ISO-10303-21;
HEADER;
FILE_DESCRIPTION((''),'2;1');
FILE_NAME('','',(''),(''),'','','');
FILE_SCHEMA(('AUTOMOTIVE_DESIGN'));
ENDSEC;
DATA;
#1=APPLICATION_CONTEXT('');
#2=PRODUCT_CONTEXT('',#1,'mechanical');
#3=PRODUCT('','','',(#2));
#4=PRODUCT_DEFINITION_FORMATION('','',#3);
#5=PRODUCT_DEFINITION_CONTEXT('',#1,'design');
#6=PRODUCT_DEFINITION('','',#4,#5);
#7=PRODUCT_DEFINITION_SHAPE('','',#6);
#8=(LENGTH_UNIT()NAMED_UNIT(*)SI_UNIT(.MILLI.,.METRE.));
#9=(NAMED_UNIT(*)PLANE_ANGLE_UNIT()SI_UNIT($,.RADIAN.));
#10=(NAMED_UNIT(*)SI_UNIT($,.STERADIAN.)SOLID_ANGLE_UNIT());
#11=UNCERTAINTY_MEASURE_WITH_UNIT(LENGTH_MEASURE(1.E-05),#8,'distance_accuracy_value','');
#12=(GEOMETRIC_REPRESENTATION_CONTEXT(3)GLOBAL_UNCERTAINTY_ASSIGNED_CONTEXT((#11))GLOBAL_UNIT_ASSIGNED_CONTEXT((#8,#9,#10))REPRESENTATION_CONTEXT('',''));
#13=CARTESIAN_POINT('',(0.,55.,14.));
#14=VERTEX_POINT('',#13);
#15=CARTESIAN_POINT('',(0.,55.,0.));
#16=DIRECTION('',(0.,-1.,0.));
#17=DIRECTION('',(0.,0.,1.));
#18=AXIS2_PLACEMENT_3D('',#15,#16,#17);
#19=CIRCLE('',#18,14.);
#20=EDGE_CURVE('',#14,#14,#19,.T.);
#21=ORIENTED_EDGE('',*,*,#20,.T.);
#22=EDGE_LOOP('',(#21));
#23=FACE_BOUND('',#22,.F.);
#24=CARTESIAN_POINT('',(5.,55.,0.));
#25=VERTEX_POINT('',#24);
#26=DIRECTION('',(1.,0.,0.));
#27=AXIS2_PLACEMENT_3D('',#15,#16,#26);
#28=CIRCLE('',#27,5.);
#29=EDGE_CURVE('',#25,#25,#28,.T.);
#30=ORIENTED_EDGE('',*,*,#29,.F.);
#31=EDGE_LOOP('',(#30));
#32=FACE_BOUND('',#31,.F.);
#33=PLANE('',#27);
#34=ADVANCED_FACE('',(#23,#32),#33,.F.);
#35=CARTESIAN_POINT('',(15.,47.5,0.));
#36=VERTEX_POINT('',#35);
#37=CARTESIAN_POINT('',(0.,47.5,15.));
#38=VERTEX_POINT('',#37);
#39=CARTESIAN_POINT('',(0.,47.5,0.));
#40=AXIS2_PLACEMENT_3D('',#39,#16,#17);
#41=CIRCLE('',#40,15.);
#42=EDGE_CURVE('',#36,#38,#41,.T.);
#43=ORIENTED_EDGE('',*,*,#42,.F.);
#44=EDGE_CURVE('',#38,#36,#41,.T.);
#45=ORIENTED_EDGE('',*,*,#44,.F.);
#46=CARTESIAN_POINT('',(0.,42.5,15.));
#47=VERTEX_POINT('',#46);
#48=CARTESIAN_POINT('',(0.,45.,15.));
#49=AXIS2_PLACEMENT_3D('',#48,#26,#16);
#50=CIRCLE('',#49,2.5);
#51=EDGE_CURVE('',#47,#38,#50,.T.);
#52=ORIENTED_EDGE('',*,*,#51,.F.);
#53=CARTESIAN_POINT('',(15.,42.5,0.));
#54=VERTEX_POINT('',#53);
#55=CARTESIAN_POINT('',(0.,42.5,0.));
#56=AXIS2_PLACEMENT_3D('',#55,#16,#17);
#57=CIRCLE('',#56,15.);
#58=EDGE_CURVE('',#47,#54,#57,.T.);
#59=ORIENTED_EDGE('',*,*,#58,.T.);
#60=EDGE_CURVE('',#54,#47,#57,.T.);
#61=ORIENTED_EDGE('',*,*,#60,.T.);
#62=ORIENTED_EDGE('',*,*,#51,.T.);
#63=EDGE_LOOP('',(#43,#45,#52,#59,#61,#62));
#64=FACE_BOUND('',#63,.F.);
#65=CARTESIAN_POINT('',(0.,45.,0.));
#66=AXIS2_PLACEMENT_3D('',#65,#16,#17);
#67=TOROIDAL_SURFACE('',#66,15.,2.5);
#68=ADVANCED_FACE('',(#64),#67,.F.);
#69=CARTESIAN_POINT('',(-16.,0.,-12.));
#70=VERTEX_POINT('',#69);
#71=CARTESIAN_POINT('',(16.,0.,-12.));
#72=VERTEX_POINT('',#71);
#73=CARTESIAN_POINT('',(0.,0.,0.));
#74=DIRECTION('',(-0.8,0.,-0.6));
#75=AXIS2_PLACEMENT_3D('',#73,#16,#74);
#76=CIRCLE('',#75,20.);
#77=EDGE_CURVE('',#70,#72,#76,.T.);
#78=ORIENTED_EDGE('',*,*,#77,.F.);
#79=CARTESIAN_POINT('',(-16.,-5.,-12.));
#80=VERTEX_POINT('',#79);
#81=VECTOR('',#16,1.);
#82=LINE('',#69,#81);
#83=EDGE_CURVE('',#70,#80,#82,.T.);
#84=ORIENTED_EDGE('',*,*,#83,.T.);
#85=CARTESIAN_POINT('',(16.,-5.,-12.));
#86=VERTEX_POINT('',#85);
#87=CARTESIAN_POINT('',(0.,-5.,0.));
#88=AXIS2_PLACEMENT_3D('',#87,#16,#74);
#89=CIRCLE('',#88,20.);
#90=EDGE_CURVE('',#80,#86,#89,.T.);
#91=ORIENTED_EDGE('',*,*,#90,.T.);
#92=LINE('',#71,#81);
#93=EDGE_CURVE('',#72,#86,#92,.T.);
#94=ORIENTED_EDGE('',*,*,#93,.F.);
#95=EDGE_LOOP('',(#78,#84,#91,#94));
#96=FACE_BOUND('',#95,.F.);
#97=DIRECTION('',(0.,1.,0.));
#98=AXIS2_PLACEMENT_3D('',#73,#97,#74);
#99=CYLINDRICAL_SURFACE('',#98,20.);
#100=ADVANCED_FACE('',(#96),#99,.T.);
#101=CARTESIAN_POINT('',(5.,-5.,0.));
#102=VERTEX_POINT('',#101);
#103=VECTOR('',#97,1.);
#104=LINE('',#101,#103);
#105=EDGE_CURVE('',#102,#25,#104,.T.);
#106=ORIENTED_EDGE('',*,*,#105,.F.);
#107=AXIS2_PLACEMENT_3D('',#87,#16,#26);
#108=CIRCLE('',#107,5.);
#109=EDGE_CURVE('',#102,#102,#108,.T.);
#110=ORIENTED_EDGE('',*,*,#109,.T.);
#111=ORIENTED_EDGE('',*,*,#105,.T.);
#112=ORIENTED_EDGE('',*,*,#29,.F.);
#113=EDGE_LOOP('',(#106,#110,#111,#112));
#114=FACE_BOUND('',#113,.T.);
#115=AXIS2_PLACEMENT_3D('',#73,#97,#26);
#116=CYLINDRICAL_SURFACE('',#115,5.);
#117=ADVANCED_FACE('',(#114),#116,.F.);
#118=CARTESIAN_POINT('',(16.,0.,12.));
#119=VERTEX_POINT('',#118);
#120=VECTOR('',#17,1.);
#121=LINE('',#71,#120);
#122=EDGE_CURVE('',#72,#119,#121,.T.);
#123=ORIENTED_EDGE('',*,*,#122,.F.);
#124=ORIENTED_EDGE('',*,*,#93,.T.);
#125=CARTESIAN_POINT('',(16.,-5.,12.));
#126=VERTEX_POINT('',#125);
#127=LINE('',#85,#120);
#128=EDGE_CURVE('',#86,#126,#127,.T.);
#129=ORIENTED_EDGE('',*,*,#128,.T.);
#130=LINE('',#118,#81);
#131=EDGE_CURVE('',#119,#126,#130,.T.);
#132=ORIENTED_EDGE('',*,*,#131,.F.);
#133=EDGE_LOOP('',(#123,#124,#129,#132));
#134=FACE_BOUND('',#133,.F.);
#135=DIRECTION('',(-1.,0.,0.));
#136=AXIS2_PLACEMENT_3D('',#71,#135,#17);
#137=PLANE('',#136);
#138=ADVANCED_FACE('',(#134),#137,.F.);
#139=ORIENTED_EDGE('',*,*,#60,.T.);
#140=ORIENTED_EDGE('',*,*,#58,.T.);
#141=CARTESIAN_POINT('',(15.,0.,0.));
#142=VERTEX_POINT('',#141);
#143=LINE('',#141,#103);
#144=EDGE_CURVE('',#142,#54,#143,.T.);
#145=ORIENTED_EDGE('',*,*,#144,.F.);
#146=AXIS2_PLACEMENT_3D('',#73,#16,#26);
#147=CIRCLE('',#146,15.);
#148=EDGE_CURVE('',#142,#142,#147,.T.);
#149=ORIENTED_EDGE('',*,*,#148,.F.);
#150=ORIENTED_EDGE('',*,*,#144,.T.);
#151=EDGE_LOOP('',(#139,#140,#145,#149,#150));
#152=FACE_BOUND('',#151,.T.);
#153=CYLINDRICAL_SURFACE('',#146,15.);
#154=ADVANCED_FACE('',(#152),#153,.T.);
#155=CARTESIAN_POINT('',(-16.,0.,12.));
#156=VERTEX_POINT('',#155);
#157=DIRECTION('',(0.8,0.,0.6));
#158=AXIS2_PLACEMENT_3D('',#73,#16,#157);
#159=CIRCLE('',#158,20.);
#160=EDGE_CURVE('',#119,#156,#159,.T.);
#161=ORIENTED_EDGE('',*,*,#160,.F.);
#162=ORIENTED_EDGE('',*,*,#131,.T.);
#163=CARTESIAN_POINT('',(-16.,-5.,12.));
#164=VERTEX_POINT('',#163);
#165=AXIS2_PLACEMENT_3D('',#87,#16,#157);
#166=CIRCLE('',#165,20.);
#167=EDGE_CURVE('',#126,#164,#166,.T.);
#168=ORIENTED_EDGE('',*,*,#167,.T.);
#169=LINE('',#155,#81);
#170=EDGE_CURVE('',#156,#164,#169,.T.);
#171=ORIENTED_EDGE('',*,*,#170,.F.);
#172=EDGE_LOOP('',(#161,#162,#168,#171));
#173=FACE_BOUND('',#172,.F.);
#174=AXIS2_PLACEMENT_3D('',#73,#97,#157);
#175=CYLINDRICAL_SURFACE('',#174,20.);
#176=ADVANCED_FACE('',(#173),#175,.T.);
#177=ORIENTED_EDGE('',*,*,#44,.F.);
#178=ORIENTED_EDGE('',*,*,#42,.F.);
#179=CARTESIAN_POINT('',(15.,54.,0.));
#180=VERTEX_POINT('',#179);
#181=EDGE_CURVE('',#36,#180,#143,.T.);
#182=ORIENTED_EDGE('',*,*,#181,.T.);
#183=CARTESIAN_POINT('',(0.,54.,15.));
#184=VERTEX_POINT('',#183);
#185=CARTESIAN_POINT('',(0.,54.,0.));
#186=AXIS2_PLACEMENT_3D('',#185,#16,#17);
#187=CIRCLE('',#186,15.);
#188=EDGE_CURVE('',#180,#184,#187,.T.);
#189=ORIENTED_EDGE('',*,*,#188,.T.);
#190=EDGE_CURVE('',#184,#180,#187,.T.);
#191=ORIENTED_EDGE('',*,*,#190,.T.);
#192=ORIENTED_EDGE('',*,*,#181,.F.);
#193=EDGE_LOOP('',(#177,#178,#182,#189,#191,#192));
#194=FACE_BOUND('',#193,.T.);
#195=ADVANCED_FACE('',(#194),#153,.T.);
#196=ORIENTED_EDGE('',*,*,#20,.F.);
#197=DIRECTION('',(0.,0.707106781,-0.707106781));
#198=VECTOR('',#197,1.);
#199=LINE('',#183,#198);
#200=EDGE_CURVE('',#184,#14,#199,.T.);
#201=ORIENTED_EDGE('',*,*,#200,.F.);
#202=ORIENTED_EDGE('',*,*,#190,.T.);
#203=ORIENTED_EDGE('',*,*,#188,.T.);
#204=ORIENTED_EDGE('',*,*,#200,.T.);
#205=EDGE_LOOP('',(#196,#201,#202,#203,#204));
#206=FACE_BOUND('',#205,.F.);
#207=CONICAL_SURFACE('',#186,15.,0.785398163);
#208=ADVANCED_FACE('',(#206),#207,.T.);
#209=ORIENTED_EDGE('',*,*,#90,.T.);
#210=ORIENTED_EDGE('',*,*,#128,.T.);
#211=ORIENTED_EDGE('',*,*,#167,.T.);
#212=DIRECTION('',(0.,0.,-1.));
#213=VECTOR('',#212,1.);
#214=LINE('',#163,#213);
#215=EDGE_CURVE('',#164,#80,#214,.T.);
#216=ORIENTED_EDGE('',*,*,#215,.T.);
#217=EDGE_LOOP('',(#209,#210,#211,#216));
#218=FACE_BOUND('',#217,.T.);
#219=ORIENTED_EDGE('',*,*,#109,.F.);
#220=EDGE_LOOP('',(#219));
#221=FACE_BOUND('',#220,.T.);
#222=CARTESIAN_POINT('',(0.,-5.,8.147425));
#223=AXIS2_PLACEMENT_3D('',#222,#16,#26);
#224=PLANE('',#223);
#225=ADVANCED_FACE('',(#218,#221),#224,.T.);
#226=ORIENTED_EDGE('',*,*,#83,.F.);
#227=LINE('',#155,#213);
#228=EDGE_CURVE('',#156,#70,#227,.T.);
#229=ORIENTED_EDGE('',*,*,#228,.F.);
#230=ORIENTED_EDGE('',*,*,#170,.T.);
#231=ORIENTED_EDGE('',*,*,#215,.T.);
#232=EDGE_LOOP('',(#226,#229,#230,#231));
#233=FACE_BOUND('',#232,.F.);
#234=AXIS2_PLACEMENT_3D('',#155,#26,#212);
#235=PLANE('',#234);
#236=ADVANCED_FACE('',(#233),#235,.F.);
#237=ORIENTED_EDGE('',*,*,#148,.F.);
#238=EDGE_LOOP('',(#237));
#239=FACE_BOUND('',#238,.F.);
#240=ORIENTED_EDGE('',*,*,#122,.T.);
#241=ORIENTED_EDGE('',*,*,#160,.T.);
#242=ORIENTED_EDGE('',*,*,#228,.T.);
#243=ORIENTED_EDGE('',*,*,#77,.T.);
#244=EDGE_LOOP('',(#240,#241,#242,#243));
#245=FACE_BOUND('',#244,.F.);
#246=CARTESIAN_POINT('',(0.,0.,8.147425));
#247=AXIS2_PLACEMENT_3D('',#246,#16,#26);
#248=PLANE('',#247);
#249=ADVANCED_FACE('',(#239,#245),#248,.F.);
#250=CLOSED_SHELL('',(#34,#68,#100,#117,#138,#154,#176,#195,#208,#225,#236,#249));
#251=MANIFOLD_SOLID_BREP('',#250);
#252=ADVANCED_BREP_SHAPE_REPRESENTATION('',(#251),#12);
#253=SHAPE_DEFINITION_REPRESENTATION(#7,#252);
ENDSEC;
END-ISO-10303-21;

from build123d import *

# Parameters (mm, degrees)
F1_DEPTH = 5
F2_R     = 15
F3_DEPTH = 55
F4_R     = 5
F5_DEPTH = 55
F6_DEPTH = 5


with BuildPart() as f1:
    # F0 (on Front) → F1 (new body)
    with BuildSketch(Plane.XZ):
        with BuildLine():
            Line((16, 0), (16, 12))
            ThreePointArc((16, 12), (0, 20), (-16, 12))
            Line((-16, 12), (-16, 0))
            Line((-16, 0), (0, 0))
            Line((0, 0), (16, 0))
        make_face()
        with BuildLine():
            ThreePointArc((-16, -12), (0, -20), (16, -12))
            Line((16, -12), (16, 0))
            Line((16, 0), (0, 0))
            Line((0, 0), (-16, 0))
            Line((-16, 0), (-16, -12))
        make_face()
    extrude(amount=F1_DEPTH)

    # F2 (on face) → F3 (join)
    with BuildSketch(Plane.XZ):
        Circle(F2_R)
    extrude(amount=-F3_DEPTH)

    # F4 (on Front) → F5 (cut, through all)
    with BuildSketch(Plane.XZ):
        Circle(F4_R)
    extrude(amount=-F5_DEPTH, mode=Mode.SUBTRACT)

    # F4 (on Front) → F6 (cut, through all)
    with BuildSketch(Plane.XZ):
        Circle(F4_R)
    extrude(amount=F6_DEPTH, mode=Mode.SUBTRACT)

    # F7 (on Right) → F8 (revolve, cut)
    with BuildSketch(Plane.YZ):
        with BuildLine():
            Line((45, 15), (42.5, 15))
            ThreePointArc((42.5, 15), (45, 12.5), (47.5, 15))
            Line((47.5, 15), (45, 15))
        make_face()
    revolve(axis=Axis((0, 0, 0), (0, -1, 0)), mode=Mode.SUBTRACT)

    # F7 (on Right) → F9 (revolve, cut)
    with BuildSketch(Plane.YZ):
        Polygon((54, 15), (55, 14), (55, 15), align=None)
    revolve(axis=Axis((0, 0, 0), (0, -1, 0)), mode=Mode.SUBTRACT)


solid = f1.part
